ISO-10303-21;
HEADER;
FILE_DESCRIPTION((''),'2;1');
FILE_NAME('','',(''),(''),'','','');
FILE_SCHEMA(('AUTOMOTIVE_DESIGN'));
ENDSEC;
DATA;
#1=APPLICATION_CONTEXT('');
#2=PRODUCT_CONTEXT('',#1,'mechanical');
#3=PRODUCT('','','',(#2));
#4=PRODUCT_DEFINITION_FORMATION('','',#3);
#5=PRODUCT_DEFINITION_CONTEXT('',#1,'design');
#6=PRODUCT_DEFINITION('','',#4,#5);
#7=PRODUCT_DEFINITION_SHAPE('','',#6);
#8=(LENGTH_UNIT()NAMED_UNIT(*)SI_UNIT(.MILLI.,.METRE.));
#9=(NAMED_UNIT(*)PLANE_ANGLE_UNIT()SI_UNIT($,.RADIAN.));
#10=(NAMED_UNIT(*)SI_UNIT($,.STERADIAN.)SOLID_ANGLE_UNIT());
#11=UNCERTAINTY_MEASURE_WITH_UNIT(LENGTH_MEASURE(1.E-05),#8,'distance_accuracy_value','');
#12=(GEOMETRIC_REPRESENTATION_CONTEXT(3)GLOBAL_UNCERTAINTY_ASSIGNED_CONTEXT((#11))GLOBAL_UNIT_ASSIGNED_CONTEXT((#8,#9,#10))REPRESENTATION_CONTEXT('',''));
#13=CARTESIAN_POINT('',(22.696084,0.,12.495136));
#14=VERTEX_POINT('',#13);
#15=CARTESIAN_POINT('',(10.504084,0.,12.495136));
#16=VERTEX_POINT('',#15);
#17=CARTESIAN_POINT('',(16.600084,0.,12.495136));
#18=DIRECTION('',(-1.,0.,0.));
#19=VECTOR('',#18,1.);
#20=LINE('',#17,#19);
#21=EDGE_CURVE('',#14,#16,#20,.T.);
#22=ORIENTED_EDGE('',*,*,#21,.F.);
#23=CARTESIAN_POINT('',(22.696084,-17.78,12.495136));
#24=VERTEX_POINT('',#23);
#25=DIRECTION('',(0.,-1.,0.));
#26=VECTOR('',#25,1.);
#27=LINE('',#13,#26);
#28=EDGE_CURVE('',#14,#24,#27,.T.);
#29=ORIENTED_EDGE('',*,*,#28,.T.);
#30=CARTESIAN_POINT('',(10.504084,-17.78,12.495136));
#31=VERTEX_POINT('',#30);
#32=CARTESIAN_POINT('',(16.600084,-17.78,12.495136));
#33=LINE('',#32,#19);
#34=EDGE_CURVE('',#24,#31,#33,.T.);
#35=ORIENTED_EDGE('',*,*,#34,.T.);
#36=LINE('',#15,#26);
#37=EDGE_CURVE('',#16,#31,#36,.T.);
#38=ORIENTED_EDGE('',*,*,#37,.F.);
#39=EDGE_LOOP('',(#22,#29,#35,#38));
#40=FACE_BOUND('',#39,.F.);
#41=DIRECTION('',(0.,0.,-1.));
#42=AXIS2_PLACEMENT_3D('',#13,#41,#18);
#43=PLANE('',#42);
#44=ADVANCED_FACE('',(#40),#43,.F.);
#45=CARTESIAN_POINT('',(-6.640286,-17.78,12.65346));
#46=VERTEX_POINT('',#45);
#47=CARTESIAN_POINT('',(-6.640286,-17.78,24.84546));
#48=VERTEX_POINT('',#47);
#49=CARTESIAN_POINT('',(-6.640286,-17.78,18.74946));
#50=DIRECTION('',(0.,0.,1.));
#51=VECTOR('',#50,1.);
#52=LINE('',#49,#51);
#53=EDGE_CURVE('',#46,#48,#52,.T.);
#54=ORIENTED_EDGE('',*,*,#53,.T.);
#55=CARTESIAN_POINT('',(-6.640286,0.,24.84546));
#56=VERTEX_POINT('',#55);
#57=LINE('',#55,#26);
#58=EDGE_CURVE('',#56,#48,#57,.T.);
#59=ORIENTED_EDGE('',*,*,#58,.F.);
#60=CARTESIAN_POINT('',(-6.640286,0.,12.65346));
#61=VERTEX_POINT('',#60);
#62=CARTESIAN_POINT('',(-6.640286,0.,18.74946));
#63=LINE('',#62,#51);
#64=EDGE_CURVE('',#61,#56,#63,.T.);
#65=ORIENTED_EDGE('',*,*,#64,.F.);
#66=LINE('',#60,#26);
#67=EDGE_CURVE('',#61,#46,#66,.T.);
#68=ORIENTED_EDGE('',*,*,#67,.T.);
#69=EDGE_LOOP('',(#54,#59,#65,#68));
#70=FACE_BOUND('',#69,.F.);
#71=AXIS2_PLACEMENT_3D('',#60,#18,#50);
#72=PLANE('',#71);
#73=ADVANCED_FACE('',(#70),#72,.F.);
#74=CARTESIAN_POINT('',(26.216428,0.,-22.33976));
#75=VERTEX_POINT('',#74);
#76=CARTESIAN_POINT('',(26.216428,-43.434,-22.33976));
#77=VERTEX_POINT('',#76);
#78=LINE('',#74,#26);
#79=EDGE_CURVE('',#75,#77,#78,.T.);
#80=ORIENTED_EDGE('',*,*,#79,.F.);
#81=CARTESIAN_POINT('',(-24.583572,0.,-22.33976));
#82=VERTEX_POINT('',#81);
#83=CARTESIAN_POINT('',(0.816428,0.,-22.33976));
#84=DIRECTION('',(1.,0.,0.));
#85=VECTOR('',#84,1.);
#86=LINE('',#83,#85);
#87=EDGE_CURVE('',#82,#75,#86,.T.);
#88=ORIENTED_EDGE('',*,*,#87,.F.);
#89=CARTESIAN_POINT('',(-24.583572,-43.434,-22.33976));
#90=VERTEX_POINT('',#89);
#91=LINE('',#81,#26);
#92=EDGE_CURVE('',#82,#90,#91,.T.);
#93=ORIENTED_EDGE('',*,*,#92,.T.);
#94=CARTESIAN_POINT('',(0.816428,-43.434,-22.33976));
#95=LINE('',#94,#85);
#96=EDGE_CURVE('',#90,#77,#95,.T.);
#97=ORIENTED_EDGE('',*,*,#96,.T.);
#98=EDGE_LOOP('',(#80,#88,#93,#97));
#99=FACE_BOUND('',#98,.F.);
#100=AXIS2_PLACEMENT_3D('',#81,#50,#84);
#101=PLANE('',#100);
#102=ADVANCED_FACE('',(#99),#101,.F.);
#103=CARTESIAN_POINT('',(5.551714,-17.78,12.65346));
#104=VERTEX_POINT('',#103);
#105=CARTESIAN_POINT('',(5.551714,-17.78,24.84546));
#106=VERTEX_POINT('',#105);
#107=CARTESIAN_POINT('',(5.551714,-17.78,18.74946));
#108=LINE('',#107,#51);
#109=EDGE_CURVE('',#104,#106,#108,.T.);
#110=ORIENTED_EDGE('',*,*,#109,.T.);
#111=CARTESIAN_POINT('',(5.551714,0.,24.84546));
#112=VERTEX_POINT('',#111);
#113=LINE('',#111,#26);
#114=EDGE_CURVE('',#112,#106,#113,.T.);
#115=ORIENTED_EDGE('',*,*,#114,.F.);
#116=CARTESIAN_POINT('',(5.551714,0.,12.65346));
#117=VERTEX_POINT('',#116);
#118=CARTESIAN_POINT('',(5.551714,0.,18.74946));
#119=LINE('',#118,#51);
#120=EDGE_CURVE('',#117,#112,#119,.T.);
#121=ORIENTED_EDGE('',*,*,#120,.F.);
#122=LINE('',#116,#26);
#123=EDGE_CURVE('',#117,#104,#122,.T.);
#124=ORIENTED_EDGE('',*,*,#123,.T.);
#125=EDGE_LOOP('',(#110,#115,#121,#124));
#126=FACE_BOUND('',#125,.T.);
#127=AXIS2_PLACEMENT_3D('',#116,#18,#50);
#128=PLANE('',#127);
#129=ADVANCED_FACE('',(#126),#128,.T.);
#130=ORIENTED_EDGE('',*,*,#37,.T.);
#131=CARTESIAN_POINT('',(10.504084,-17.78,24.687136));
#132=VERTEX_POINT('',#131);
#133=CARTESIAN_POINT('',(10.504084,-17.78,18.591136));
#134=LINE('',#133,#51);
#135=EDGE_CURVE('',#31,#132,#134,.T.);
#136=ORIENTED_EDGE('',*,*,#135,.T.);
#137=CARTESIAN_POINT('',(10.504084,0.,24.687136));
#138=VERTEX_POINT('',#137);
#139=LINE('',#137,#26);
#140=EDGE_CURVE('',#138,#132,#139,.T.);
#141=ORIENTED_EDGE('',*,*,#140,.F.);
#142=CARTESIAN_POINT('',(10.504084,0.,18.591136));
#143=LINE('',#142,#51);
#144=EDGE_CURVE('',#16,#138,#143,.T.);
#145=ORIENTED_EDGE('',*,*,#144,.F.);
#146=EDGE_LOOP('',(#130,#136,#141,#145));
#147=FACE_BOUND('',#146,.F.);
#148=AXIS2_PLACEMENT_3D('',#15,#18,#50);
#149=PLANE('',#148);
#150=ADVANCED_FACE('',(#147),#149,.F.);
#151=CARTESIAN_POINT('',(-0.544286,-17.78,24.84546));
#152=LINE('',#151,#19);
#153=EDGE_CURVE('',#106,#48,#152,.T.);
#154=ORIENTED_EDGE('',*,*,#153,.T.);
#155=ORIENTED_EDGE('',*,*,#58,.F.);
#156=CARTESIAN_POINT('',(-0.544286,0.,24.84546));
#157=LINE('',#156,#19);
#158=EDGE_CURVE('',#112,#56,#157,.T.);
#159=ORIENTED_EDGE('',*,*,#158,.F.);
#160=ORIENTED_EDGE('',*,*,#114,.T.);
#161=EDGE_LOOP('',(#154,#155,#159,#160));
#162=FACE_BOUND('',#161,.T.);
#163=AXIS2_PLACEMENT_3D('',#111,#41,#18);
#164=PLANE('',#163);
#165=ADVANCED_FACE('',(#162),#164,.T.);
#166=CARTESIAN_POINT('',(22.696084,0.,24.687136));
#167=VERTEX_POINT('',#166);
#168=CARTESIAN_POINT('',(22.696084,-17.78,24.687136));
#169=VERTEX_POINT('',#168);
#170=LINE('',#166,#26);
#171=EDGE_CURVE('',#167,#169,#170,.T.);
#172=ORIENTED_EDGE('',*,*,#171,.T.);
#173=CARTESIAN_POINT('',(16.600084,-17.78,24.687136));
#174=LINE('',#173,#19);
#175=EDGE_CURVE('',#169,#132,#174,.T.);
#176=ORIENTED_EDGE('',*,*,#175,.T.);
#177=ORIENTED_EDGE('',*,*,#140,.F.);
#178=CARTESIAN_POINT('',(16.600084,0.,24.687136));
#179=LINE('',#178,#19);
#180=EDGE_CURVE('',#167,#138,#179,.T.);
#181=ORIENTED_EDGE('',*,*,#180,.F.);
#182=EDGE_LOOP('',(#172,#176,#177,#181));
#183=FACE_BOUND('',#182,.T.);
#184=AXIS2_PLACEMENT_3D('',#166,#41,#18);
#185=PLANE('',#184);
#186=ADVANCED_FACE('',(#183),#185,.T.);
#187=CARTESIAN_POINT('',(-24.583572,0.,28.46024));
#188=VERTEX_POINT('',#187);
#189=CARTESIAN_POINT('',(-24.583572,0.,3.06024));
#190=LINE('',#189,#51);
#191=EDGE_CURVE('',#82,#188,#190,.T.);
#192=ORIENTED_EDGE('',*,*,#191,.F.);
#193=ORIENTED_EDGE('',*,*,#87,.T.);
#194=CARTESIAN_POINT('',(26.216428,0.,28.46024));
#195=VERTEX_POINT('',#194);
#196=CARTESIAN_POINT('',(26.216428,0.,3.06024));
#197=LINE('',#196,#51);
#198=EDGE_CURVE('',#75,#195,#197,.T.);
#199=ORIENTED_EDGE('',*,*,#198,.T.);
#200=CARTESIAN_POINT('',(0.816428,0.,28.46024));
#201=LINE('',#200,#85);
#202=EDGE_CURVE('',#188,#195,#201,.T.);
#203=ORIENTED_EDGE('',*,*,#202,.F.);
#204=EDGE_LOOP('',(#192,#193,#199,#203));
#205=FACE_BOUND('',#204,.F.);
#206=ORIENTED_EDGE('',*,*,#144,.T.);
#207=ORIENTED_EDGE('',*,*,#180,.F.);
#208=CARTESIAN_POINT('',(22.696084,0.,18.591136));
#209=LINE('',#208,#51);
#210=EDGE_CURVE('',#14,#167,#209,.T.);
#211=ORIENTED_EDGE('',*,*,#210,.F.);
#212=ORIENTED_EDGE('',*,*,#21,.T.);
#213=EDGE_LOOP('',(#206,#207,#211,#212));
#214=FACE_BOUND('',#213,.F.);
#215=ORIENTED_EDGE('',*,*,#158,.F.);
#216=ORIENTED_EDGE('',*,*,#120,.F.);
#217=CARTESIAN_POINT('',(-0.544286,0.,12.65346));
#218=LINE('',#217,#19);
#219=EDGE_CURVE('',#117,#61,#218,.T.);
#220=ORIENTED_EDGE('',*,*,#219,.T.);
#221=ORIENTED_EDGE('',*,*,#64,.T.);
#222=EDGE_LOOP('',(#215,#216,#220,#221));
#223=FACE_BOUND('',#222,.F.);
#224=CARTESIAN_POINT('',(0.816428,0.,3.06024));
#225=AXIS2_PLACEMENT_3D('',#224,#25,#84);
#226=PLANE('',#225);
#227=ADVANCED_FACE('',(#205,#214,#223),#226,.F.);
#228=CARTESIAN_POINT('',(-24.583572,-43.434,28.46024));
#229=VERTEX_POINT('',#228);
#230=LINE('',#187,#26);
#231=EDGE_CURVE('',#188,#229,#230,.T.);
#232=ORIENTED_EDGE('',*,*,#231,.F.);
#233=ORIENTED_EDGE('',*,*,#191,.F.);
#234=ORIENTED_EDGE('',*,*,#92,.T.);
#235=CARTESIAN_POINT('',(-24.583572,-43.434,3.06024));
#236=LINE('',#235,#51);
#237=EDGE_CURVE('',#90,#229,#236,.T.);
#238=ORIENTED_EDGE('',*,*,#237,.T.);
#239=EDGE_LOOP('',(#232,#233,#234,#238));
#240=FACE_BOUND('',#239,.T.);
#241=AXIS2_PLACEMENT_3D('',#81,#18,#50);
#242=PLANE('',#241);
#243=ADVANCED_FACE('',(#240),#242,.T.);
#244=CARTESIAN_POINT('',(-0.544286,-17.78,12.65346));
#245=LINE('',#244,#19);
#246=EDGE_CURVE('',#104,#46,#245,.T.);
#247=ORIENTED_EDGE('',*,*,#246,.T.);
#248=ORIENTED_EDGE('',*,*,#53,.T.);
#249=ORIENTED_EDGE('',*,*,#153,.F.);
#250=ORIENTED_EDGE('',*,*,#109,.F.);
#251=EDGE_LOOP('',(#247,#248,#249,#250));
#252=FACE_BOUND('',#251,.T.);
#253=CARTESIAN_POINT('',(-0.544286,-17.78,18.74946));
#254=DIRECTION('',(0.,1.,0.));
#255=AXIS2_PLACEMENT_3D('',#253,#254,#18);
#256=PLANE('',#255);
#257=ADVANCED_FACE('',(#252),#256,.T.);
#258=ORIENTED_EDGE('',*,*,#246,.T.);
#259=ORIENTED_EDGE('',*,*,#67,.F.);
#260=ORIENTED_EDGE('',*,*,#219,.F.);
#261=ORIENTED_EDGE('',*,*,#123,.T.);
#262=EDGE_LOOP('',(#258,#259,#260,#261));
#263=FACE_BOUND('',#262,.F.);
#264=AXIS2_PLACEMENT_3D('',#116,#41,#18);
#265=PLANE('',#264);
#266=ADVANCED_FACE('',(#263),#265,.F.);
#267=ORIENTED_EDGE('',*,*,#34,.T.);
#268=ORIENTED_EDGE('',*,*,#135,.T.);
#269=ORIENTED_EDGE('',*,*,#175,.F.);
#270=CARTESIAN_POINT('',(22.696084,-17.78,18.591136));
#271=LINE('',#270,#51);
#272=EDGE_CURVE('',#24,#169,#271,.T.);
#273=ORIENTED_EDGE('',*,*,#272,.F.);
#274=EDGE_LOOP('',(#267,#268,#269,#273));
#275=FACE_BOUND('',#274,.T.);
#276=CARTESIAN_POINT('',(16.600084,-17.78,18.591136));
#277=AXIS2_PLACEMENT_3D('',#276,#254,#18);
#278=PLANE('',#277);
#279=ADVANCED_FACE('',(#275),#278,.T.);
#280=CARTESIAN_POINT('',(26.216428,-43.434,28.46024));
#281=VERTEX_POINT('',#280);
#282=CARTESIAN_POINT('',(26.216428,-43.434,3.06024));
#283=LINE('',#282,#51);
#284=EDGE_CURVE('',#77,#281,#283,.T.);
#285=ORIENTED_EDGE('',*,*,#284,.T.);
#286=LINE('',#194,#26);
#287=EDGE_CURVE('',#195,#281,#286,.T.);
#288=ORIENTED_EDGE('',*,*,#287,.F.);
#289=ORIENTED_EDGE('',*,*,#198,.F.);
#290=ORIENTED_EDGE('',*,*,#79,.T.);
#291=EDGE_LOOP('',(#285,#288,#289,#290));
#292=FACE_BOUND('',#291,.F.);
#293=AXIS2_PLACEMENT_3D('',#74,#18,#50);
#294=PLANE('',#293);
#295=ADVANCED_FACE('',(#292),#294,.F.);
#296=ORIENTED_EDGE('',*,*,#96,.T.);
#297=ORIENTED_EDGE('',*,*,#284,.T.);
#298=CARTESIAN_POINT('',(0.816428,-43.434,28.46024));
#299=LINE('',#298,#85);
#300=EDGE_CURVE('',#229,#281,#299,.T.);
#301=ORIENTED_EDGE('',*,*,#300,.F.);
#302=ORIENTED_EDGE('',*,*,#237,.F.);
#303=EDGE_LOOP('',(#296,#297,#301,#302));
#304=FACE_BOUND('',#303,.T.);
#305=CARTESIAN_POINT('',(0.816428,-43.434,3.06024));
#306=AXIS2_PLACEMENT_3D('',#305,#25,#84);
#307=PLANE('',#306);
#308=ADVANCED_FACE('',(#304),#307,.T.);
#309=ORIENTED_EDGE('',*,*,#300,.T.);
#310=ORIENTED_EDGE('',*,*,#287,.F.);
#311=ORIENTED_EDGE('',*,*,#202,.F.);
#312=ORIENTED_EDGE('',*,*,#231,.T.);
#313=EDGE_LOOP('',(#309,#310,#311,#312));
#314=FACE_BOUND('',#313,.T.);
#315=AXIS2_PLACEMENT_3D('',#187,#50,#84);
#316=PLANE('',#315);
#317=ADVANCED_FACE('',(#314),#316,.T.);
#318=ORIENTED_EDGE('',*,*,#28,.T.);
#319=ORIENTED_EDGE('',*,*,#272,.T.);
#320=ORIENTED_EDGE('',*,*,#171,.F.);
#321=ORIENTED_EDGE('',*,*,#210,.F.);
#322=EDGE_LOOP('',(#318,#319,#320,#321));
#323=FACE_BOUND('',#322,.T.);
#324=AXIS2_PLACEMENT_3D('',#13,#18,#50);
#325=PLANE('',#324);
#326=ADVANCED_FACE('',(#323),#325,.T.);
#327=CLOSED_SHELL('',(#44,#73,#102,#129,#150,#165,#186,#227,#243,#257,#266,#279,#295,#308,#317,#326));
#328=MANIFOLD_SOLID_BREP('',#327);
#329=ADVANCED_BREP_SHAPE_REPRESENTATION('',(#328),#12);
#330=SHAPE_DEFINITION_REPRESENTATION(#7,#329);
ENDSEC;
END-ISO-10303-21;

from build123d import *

# Parameters (mm, degrees)
F0_W     = 50.8
F0_H     = 50.8
F1_DEPTH = 43.434
F2_W     = 12.192
F2_H     = 12.192
F3_DEPTH = 17.78
F4_W     = 12.192
F4_H     = 12.192
F5_DEPTH = 17.78


with BuildPart() as f1:
    # F0 (on Front) → F1 (new body)
    with BuildSketch(Plane.XZ):
        with Locations((0.816428, 3.06024)):
            Rectangle(F0_W, F0_H)
    extrude(amount=F1_DEPTH)

    # F2 (on face) → F3 (cut)
    with BuildSketch(Plane(origin=(0, 0, 0), x_dir=(-1, 0, 0), z_dir=(0, 1, 0))):
        with Locations((-16.600084, 18.591136)):
            Rectangle(F2_W, F2_H)
    extrude(amount=-F3_DEPTH, mode=Mode.SUBTRACT)

    # F4 (on face) → F5 (cut)
    with BuildSketch(Plane(origin=(0, 0, 0), x_dir=(-1, 0, 0), z_dir=(0, 1, 0))):
        with Locations((0.544286, 18.74946)):
            Rectangle(F4_W, F4_H)
    extrude(amount=-F5_DEPTH, mode=Mode.SUBTRACT)


solid = f1.part
